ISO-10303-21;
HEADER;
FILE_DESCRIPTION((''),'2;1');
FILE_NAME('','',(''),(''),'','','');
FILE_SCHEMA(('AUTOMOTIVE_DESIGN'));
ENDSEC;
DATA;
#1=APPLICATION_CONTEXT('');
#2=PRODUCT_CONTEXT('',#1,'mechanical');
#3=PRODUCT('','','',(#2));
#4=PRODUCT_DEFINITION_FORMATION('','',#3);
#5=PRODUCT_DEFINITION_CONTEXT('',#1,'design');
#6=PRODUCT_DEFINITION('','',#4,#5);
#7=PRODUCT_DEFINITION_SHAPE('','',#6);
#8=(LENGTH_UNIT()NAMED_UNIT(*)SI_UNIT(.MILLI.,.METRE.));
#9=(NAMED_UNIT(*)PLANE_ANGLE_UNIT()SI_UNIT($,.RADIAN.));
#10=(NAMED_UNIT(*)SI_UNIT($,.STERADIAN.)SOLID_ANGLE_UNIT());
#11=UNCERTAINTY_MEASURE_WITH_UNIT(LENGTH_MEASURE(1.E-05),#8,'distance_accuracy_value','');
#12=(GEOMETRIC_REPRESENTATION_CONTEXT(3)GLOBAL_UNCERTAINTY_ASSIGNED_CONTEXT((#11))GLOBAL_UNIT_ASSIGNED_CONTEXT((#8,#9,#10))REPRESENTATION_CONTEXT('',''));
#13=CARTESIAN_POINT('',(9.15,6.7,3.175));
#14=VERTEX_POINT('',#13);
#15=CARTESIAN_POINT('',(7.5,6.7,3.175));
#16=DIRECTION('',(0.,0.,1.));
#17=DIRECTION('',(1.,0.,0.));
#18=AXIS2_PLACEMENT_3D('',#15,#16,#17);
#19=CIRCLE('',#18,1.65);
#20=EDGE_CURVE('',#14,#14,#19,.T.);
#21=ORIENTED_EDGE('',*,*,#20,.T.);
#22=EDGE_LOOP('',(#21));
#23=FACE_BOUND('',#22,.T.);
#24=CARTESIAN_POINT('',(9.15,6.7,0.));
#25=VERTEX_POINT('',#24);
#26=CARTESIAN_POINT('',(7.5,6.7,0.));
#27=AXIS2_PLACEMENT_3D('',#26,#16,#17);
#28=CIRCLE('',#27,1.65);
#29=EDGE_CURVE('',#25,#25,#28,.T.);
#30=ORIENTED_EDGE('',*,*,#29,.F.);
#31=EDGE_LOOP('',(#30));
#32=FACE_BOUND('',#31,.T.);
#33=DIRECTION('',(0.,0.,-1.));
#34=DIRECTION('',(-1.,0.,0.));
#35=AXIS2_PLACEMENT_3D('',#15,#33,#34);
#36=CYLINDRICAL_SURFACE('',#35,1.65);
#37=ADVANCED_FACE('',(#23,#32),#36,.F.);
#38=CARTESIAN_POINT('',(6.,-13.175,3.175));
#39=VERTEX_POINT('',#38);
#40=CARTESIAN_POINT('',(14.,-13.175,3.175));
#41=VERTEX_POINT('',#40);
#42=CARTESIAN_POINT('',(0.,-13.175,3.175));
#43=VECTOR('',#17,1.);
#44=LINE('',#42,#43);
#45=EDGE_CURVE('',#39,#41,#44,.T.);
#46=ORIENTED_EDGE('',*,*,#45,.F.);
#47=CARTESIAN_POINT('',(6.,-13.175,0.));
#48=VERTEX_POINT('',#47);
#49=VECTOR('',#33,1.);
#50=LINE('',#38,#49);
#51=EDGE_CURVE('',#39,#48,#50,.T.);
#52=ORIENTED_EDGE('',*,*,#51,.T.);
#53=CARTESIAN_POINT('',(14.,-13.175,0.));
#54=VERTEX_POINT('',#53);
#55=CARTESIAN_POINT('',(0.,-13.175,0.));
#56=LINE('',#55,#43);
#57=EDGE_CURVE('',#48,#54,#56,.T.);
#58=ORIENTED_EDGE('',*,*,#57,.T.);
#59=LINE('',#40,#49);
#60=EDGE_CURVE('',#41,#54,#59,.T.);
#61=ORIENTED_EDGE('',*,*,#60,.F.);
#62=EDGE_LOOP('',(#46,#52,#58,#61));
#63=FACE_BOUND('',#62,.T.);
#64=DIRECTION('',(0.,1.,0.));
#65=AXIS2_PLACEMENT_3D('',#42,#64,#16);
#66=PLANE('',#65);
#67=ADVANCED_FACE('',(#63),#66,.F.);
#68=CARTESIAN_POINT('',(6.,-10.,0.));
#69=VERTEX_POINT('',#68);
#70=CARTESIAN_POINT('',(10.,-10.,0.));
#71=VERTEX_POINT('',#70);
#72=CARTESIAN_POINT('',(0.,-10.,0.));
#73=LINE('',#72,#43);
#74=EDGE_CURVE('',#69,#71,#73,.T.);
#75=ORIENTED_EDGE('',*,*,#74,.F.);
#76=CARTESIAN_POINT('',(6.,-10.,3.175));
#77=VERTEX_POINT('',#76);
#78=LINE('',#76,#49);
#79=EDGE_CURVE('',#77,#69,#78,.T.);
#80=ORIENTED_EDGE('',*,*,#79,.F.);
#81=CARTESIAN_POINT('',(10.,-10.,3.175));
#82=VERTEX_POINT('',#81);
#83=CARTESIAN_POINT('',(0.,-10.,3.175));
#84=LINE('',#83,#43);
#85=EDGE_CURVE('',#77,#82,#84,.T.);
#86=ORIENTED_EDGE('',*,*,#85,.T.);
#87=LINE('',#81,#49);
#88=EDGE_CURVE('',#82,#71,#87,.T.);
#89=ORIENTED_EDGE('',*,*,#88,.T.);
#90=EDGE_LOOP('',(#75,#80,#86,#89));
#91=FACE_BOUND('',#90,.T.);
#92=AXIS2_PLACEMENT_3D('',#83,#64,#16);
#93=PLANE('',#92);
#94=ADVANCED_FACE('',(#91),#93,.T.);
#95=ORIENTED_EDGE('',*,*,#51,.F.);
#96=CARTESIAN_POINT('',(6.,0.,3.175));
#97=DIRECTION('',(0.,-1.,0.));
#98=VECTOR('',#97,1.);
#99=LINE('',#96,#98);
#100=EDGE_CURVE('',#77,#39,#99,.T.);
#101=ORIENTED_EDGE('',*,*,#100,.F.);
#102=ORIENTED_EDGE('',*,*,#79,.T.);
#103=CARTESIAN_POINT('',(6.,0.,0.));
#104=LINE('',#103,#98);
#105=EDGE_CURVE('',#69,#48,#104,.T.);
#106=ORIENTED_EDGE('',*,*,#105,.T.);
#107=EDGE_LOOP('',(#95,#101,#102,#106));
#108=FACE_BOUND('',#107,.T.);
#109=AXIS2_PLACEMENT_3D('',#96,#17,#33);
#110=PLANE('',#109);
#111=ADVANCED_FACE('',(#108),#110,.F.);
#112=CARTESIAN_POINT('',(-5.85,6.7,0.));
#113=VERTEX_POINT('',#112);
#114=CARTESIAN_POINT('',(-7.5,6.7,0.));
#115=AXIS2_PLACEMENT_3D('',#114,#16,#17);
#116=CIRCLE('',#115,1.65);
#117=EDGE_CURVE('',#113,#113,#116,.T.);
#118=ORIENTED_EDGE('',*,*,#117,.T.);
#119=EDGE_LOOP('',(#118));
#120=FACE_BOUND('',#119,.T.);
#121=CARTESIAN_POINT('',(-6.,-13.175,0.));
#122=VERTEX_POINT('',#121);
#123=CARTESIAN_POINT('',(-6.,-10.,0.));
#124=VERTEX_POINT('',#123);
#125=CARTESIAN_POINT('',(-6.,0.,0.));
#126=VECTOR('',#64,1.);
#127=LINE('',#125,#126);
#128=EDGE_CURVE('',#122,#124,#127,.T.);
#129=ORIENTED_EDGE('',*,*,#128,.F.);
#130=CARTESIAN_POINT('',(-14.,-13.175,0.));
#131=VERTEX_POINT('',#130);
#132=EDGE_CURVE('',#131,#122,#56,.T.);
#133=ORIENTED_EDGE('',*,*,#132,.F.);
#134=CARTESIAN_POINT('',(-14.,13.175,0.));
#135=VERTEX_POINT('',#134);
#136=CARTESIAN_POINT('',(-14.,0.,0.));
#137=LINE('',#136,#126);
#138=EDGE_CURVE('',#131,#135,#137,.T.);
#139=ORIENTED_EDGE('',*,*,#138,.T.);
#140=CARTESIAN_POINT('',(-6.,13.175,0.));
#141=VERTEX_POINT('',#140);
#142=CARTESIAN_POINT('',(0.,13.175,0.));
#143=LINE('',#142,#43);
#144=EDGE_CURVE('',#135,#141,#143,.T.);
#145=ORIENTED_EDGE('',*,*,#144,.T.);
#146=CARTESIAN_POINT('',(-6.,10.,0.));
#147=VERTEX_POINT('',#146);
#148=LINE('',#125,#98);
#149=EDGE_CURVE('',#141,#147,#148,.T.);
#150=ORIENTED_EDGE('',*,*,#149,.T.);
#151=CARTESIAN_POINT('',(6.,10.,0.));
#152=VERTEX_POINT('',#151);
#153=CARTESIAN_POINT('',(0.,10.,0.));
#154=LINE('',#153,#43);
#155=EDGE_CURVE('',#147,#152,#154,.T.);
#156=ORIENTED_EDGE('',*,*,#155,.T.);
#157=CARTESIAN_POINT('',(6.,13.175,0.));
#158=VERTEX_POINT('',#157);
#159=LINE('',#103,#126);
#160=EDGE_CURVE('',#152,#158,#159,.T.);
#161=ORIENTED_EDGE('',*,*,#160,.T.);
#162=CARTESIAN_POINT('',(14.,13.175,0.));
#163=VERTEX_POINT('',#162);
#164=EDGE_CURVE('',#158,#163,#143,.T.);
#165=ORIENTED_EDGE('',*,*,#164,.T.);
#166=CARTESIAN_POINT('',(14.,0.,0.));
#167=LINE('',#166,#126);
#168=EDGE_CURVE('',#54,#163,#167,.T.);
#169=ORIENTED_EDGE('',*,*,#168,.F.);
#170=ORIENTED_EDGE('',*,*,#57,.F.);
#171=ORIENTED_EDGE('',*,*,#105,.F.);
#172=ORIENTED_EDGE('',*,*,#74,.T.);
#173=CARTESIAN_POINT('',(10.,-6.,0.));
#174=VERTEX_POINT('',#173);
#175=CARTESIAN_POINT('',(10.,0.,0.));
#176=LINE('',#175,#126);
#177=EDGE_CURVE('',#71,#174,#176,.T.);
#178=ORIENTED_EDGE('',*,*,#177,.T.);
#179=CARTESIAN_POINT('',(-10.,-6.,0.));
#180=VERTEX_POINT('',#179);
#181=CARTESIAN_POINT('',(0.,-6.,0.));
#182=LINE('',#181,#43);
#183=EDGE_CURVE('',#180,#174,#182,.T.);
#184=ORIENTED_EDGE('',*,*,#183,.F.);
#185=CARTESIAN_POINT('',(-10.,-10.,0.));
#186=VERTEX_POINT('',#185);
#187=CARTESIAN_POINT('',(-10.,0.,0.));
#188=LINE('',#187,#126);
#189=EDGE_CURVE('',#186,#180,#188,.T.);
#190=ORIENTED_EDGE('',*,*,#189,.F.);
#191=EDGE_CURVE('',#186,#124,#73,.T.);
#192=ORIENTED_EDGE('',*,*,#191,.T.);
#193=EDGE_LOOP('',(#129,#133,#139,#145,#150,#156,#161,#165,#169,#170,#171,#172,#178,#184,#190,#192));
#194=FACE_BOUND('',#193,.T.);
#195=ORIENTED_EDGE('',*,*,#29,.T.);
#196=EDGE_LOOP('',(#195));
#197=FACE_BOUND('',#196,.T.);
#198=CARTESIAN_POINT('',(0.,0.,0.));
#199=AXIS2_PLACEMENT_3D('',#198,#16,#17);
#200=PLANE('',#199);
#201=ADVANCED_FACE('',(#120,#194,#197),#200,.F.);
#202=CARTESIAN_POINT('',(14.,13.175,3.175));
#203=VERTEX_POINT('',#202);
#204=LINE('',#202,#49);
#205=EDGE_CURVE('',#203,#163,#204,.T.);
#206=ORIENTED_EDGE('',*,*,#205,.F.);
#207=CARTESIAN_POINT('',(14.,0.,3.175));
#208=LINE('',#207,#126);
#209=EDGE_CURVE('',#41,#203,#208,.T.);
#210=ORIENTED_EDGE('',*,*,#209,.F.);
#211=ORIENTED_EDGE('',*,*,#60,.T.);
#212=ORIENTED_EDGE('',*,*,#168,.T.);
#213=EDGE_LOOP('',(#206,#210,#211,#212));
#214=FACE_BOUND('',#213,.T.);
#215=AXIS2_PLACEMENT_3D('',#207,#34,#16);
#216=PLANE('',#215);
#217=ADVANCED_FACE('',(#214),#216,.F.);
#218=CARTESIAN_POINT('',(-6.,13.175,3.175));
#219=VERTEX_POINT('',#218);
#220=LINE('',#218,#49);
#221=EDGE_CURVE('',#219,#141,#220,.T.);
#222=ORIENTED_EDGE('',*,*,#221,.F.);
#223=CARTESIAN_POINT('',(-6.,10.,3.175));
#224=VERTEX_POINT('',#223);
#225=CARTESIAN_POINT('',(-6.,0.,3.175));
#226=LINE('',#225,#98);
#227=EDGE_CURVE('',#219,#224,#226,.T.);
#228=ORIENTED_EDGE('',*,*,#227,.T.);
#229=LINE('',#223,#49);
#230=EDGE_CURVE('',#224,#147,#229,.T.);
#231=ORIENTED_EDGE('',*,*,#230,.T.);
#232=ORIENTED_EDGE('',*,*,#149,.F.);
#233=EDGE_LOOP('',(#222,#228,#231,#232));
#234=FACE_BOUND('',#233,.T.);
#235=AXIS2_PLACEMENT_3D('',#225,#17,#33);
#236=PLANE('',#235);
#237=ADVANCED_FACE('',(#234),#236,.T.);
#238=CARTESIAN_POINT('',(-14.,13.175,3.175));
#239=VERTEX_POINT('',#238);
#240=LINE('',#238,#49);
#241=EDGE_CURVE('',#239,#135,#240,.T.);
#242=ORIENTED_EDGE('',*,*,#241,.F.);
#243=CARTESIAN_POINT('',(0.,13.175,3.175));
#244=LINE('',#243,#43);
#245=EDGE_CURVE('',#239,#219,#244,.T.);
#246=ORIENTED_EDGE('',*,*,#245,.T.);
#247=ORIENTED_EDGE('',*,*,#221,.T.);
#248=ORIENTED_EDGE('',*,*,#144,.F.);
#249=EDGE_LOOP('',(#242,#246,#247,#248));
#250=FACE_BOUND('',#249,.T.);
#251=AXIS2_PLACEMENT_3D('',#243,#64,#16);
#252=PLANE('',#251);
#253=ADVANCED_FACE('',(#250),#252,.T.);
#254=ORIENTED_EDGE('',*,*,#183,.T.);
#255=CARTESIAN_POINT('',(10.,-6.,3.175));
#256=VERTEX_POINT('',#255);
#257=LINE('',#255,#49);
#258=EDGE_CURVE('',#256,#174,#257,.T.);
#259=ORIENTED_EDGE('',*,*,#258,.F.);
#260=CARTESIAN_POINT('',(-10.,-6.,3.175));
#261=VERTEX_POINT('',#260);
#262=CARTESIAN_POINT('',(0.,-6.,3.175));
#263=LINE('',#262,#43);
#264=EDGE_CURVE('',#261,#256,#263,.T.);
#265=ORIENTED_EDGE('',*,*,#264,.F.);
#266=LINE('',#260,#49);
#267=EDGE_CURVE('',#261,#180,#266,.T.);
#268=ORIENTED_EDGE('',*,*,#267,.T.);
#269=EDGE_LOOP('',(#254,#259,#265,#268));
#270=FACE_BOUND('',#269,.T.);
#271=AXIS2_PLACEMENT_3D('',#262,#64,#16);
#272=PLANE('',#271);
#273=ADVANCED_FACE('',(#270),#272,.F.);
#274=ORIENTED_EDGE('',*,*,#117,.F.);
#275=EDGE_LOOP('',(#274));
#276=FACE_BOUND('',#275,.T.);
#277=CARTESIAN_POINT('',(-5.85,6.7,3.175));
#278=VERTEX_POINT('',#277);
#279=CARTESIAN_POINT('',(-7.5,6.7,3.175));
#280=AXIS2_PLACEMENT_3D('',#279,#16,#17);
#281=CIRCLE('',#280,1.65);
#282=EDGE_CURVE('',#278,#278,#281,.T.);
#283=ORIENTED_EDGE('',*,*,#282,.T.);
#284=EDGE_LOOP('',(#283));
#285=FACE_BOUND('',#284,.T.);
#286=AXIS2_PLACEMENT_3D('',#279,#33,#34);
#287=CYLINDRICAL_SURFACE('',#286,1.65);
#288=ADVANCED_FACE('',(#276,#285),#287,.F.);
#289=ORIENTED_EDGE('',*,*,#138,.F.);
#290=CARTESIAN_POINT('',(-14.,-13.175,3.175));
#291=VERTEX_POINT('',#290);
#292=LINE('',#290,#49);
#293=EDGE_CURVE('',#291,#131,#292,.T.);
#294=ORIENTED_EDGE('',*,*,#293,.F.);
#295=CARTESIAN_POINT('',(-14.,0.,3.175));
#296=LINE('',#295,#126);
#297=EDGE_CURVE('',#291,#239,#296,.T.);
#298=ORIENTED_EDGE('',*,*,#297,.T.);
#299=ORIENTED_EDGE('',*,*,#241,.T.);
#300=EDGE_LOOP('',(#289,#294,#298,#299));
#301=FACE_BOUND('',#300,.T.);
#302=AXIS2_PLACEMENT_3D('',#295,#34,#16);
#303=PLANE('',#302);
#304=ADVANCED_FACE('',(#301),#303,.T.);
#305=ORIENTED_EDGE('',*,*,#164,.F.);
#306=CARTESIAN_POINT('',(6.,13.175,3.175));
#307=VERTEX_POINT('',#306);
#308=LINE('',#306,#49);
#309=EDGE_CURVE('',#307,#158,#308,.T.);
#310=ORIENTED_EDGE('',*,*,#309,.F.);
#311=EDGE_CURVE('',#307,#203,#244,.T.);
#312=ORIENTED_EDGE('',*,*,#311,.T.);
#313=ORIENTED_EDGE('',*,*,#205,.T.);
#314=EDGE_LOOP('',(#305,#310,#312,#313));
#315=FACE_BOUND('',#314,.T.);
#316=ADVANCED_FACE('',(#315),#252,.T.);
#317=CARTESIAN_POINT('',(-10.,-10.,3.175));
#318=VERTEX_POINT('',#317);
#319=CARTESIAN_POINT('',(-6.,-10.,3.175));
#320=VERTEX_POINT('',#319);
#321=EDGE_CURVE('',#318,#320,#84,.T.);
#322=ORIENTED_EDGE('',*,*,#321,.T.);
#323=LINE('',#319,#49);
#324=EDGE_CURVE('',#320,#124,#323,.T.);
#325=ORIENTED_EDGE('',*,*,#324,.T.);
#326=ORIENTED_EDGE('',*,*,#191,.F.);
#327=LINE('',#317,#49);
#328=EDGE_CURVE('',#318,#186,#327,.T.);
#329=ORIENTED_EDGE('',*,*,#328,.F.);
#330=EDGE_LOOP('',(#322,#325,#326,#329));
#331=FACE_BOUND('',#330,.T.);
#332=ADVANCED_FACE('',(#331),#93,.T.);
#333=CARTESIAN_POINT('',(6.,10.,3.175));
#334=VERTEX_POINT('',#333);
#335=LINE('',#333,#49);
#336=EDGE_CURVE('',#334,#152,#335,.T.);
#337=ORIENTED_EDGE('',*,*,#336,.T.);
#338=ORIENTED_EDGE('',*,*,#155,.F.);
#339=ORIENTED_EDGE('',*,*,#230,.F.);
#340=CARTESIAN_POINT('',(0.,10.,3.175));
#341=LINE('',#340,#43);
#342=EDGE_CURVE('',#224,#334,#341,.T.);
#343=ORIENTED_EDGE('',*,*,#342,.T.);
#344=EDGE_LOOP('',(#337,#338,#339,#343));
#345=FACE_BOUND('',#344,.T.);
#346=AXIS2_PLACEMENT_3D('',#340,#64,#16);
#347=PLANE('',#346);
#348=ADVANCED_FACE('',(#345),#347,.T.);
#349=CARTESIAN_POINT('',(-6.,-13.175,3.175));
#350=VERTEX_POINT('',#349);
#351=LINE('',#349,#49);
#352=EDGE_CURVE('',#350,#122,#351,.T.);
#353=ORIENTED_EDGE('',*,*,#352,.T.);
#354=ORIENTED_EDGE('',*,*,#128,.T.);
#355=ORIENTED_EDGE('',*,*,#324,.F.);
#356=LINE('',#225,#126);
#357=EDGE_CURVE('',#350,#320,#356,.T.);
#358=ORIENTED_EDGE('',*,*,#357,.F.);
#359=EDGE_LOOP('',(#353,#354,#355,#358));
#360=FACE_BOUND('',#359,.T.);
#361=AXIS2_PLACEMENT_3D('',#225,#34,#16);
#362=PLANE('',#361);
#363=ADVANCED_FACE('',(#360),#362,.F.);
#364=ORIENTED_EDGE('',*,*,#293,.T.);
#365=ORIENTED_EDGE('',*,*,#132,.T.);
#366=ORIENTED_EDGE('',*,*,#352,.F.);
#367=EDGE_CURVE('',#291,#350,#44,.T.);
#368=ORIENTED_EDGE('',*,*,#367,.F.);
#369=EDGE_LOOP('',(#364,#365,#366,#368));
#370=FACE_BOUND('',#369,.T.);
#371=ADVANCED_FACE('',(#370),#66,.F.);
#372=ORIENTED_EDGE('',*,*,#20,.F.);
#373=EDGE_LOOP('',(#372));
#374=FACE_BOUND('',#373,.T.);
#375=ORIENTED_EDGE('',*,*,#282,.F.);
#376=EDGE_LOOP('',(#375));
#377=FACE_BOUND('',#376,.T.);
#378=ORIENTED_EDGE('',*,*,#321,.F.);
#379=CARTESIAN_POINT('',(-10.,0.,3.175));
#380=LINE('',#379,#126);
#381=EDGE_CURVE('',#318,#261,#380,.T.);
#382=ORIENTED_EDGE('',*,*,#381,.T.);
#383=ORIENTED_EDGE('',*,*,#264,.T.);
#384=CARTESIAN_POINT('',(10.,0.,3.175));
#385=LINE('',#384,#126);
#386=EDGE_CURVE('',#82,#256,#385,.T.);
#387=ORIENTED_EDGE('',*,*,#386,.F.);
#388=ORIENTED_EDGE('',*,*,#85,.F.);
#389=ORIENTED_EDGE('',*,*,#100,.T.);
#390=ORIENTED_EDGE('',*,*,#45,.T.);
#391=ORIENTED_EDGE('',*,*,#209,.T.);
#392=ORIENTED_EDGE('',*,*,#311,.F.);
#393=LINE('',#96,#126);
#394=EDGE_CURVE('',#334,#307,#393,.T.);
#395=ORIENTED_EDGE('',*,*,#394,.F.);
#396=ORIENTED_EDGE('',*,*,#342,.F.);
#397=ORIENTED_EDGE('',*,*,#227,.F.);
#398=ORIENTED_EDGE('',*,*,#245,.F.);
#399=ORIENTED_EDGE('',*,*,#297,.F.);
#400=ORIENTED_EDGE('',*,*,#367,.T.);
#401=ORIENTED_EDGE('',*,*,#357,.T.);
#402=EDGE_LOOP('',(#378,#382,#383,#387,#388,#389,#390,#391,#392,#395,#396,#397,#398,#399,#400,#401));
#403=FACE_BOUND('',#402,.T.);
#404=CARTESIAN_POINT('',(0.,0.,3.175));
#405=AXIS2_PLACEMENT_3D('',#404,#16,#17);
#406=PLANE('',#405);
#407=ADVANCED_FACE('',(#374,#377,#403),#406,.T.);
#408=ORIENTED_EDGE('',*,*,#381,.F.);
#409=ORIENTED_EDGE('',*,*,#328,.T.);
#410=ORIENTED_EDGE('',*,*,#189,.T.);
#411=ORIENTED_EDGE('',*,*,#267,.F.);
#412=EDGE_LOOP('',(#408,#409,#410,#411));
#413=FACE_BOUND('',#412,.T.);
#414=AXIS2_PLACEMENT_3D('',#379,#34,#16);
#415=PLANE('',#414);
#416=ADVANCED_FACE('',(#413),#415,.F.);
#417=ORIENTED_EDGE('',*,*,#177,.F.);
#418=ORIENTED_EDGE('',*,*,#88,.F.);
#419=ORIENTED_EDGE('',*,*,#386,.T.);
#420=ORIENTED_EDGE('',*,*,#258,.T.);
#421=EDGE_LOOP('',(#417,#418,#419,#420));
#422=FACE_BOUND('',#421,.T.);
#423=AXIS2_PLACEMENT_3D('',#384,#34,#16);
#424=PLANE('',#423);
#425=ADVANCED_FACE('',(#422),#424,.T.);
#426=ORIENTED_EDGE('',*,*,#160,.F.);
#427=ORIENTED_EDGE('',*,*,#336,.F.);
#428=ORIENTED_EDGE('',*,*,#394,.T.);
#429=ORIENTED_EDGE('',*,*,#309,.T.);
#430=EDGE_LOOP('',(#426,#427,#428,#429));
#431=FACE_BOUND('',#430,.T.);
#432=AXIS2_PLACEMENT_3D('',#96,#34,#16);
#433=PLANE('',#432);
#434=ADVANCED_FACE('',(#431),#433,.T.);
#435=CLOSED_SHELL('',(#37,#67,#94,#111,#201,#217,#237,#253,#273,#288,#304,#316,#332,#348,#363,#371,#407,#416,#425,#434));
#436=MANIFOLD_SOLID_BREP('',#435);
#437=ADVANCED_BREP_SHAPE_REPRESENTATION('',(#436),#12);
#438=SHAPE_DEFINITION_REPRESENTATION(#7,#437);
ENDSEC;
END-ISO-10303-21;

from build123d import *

# Parameters (mm, degrees)
SKETCH1_R           = 1.65
BOSS_EXTRUDE1_DEPTH = 3.175


with BuildPart() as part:
    # Sketch1 → Boss-Extrude1 (new body)
    with BuildSketch(Plane.XY):
        Polygon((-14, 13.175), (-14, 10), (-14, -10), (-14, -13.175), (-6, -13.175), (-6, -10), (-10, -10), (-10, -6), (10, -6), (10, -10), (6, -10), (6, -13.175), (14, -13.175), (14, -10), (14, 10), (14, 13.175), (6, 13.175), (6, 10), (-6, 10), (-6, 13.175), align=None)
        with Locations((-7.5, 6.7)):
            Circle(SKETCH1_R, mode=Mode.SUBTRACT)
        with Locations((7.5, 6.7)):
            Circle(SKETCH1_R, mode=Mode.SUBTRACT)
    extrude(amount=BOSS_EXTRUDE1_DEPTH)


solid = part.part
